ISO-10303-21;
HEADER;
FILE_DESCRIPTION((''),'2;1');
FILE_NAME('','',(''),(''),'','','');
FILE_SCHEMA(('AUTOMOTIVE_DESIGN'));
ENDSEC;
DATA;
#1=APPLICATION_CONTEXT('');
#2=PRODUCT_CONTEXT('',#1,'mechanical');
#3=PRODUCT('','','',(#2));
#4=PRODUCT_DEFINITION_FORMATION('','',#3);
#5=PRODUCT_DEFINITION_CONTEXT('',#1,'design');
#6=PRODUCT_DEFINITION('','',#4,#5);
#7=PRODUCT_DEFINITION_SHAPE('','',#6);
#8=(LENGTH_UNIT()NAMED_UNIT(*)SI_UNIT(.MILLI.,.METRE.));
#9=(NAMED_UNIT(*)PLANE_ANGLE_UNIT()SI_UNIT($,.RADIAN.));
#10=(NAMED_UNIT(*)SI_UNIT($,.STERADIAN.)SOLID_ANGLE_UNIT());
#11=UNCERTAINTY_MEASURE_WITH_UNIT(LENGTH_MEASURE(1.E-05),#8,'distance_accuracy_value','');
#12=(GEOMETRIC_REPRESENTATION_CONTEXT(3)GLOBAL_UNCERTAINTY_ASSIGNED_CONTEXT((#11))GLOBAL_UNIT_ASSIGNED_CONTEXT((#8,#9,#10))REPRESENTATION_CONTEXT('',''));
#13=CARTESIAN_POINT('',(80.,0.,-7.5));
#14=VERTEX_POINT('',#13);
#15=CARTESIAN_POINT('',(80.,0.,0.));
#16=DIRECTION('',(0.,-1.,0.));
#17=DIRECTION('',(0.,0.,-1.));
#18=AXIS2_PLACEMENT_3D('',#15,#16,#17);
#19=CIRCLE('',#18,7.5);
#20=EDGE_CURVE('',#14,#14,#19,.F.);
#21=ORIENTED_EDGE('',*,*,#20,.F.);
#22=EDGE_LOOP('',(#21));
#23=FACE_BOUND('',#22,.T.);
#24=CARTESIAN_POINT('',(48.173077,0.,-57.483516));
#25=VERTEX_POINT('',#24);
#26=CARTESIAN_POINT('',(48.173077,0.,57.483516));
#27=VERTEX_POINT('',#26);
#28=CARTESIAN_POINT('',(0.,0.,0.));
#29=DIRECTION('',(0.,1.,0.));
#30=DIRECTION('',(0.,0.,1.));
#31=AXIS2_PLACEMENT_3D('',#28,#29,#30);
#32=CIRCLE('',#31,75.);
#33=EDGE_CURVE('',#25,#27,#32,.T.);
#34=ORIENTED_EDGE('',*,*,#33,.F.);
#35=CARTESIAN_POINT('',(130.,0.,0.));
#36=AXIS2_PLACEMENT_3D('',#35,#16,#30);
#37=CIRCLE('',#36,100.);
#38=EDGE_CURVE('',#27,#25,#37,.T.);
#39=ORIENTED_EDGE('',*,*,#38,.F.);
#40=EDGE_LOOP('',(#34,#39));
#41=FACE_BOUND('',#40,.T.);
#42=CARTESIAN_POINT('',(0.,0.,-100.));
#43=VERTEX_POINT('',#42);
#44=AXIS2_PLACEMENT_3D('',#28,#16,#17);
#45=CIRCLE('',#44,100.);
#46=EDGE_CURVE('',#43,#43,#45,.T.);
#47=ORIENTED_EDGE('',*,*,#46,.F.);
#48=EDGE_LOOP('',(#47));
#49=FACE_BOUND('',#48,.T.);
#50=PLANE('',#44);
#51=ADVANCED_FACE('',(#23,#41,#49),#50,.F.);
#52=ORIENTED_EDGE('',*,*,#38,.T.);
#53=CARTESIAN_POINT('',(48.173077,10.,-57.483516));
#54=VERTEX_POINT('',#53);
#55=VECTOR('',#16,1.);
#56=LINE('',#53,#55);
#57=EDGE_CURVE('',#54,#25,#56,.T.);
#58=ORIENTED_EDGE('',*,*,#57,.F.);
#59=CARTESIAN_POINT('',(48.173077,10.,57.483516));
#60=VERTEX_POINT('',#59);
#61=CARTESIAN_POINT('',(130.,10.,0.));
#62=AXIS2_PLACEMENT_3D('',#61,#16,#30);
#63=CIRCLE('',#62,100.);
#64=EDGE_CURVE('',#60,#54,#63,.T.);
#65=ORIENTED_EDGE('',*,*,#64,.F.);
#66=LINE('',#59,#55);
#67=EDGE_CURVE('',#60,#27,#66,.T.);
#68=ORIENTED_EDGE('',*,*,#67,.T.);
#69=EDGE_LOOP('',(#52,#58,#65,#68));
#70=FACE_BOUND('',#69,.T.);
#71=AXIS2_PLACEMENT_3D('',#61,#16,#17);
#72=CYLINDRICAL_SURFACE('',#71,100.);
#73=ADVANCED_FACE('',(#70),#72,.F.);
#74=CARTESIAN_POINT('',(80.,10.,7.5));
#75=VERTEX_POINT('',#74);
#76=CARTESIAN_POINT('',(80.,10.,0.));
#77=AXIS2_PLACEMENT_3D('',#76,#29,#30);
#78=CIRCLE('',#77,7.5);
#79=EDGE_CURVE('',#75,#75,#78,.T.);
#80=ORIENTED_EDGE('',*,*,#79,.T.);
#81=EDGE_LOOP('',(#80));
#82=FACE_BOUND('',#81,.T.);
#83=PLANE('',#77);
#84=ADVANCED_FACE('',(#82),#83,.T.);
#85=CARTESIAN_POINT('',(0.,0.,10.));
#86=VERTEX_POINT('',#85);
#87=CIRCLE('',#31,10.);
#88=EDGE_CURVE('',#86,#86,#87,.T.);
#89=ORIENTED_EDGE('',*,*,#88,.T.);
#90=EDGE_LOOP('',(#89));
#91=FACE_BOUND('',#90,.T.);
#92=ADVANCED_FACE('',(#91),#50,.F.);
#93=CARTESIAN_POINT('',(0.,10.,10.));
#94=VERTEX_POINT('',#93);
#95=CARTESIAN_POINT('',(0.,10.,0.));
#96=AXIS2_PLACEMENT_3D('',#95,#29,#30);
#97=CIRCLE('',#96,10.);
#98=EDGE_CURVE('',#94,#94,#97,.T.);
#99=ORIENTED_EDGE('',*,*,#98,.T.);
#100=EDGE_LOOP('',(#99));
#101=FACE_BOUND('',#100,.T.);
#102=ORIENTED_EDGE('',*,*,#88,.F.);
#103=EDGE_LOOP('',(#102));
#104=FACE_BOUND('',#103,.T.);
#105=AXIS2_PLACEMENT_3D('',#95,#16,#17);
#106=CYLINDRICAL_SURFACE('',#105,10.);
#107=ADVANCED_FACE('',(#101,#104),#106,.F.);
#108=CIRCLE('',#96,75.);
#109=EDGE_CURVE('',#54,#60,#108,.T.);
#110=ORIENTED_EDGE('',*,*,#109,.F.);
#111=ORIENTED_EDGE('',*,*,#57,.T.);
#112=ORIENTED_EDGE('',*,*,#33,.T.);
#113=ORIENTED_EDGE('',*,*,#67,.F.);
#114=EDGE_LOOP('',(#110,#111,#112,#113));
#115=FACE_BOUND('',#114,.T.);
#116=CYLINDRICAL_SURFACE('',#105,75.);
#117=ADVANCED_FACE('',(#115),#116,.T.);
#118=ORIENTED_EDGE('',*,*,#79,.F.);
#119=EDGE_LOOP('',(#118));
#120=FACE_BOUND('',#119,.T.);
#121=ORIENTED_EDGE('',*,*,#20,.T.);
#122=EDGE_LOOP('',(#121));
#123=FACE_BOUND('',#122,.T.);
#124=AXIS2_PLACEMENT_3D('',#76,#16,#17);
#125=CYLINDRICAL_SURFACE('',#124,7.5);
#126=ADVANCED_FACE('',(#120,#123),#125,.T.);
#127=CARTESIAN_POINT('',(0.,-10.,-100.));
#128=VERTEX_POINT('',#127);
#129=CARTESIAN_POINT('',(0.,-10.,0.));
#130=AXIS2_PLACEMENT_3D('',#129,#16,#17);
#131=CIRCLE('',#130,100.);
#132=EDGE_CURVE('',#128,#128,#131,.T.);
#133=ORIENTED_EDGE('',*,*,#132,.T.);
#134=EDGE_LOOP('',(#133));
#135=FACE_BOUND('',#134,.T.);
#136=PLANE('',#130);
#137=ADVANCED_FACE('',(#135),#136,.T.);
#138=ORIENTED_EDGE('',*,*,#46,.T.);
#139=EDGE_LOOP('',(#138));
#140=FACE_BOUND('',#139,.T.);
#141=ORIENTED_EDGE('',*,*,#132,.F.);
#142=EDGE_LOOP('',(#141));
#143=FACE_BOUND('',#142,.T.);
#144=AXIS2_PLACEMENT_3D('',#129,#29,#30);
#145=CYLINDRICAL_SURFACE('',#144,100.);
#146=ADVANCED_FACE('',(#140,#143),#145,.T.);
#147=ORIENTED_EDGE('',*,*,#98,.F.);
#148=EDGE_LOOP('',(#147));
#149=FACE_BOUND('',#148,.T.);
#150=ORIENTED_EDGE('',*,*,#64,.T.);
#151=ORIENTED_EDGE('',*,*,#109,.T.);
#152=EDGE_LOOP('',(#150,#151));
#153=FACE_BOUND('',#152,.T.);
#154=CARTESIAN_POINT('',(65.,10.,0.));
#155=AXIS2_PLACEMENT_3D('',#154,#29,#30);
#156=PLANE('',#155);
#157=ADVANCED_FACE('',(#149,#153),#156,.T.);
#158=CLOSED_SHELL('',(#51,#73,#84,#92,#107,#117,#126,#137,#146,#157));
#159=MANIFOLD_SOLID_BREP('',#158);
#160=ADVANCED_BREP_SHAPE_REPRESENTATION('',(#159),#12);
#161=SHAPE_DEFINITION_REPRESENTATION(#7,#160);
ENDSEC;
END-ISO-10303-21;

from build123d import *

# Parameters (mm, degrees)
SKETCH1_R           = 10
BOSS_EXTRUDE1_DEPTH = 10
SKETCH2_R           = 100
BOSS_EXTRUDE2_DEPTH = 10
SKETCH3_R           = 7.5
BOSS_EXTRUDE3_DEPTH = 10


with BuildPart() as part:
    # Sketch1 → Boss-Extrude1 (new body)
    with BuildSketch(Plane(origin=(0, 0, 0), x_dir=(1, 0, 0), z_dir=(0, 1, 0))):
        with BuildLine():
            ThreePointArc((48.173076923, 57.483516418), (-75, 0), (48.173076923, -57.483516418))
            ThreePointArc((48.173076923, -57.483516418), (30, 0), (48.173076923, 57.483516418))
        make_face()
        with Locations(Location((0, 0, 0), (0, 0, 270))):
            Circle(SKETCH1_R, mode=Mode.SUBTRACT)
    extrude(amount=BOSS_EXTRUDE1_DEPTH)

    # Sketch2 → Boss-Extrude2 (add)
    with BuildSketch(Plane.XZ):
        with Locations(Location((0, 0, 0), (0, 0, 270))):
            Circle(SKETCH2_R)
    extrude(amount=BOSS_EXTRUDE2_DEPTH)

    # Sketch3 → Boss-Extrude3 (add)
    with BuildSketch(Plane(origin=(0, 0, 0), x_dir=(1, 0, 0), z_dir=(0, 1, 0))):
        with Locations(Location((80, 0, 0), (0, 0, 90))):
            Circle(SKETCH3_R)
    extrude(amount=BOSS_EXTRUDE3_DEPTH)


solid = part.part
